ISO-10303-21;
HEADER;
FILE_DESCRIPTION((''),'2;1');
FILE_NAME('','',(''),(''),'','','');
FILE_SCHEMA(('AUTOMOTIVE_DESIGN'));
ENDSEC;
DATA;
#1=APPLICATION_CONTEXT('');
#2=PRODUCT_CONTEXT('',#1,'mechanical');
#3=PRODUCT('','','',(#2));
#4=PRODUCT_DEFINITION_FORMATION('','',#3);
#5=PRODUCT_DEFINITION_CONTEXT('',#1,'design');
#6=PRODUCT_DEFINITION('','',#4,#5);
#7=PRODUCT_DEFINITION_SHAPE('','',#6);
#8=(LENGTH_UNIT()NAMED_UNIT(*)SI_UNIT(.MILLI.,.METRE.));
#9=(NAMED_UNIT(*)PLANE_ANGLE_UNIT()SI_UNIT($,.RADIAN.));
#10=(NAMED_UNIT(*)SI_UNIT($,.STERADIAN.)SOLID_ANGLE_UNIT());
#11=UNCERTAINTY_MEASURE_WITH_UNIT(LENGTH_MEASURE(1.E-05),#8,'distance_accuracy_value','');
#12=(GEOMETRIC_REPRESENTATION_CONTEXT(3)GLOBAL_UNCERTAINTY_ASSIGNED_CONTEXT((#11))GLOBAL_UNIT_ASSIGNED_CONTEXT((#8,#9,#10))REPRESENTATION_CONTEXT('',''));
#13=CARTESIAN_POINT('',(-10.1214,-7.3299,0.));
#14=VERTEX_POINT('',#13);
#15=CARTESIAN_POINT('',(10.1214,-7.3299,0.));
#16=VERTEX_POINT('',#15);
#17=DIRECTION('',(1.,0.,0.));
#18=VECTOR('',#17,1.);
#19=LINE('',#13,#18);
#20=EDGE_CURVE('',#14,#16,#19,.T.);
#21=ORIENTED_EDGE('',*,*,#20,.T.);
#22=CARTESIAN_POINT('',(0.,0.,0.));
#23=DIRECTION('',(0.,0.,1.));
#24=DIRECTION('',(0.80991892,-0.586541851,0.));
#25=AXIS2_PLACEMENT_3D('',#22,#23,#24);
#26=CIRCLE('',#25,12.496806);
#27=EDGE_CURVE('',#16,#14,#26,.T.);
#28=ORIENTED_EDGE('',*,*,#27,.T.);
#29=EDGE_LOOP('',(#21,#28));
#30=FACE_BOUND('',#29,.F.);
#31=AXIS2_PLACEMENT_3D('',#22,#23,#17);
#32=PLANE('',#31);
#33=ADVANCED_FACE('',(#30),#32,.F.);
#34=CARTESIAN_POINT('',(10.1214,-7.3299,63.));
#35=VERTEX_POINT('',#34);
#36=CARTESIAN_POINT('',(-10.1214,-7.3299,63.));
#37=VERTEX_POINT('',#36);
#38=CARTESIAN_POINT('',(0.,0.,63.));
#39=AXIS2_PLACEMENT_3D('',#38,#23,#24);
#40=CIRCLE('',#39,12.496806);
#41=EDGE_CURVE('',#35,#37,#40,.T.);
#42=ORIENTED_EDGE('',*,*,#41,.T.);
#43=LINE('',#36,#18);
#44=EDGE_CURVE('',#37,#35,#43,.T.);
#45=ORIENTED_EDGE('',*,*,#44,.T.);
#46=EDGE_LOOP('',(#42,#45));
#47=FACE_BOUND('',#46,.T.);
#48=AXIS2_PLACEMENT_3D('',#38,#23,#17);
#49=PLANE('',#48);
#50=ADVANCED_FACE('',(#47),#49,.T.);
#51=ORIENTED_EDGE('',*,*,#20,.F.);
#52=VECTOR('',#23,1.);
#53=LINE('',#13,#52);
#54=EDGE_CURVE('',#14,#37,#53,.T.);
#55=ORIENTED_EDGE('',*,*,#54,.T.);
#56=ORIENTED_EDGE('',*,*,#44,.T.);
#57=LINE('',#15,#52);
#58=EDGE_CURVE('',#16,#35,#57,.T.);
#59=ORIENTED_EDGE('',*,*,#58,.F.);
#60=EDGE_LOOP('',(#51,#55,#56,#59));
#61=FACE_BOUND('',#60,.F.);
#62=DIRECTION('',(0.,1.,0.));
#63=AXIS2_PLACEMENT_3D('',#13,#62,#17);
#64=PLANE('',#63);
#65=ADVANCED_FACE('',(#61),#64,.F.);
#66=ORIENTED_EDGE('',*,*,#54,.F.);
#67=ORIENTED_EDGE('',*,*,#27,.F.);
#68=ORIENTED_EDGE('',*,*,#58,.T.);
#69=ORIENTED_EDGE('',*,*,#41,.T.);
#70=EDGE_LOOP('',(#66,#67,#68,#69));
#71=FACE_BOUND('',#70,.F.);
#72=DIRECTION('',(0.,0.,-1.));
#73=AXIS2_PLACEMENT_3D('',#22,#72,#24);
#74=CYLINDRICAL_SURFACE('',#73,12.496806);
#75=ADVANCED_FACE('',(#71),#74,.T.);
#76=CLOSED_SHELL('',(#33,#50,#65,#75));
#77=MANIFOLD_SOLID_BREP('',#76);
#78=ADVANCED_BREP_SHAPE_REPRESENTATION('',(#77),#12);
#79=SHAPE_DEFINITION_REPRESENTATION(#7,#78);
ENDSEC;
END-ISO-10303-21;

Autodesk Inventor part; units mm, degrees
ref_plane "YZ Plane" through (0, 0, 0) normal (1, 0, 0) x (0, 1, 0)
ref_plane "XZ Plane" through (0, 0, 0) normal (0, 1, 0) x (-1, 0, 0)
ref_plane "XY Plane" through (0, 0, 0) normal (0, 0, 1) x (1, 0, 0)
sketch "Sketch1" plane through (0, 0, 0) normal (0, 0, 1) x (1, 0, 0)
  arc A0 (10.1214, -7.3299) -> (-10.1214, -7.3299) centre (0, 0) ccw
  line L0 (-10.1214, -7.3299) -> (10.1214, -7.3299)
  dimension "d0" = 24.9936
extrude "Extrusion1" add sketch "Sketch1" along normal blind 63
sketch "Sketch4" plane through (0, 0, 63) normal (0, 0, 1) x (1, 0, 0)
  arc A0 (10.1214, -7.3299) -> (-10.1214, -7.3299) centre (0, 0) ccw
  line L0 (-10.1214, -7.3299) -> (10.1214, -7.3299)
  line L1 (-10.1214, -7.3299) -> (10.1214, -7.3299) projected
  point P0 (-8.8613, -7.3299)
  point P1 (8.8613, -7.3299)
  dimension "d8" = 24.9936
properties part number "DPLX_P026_VIPE _Transformer" material "PC/ABS Plastic"
